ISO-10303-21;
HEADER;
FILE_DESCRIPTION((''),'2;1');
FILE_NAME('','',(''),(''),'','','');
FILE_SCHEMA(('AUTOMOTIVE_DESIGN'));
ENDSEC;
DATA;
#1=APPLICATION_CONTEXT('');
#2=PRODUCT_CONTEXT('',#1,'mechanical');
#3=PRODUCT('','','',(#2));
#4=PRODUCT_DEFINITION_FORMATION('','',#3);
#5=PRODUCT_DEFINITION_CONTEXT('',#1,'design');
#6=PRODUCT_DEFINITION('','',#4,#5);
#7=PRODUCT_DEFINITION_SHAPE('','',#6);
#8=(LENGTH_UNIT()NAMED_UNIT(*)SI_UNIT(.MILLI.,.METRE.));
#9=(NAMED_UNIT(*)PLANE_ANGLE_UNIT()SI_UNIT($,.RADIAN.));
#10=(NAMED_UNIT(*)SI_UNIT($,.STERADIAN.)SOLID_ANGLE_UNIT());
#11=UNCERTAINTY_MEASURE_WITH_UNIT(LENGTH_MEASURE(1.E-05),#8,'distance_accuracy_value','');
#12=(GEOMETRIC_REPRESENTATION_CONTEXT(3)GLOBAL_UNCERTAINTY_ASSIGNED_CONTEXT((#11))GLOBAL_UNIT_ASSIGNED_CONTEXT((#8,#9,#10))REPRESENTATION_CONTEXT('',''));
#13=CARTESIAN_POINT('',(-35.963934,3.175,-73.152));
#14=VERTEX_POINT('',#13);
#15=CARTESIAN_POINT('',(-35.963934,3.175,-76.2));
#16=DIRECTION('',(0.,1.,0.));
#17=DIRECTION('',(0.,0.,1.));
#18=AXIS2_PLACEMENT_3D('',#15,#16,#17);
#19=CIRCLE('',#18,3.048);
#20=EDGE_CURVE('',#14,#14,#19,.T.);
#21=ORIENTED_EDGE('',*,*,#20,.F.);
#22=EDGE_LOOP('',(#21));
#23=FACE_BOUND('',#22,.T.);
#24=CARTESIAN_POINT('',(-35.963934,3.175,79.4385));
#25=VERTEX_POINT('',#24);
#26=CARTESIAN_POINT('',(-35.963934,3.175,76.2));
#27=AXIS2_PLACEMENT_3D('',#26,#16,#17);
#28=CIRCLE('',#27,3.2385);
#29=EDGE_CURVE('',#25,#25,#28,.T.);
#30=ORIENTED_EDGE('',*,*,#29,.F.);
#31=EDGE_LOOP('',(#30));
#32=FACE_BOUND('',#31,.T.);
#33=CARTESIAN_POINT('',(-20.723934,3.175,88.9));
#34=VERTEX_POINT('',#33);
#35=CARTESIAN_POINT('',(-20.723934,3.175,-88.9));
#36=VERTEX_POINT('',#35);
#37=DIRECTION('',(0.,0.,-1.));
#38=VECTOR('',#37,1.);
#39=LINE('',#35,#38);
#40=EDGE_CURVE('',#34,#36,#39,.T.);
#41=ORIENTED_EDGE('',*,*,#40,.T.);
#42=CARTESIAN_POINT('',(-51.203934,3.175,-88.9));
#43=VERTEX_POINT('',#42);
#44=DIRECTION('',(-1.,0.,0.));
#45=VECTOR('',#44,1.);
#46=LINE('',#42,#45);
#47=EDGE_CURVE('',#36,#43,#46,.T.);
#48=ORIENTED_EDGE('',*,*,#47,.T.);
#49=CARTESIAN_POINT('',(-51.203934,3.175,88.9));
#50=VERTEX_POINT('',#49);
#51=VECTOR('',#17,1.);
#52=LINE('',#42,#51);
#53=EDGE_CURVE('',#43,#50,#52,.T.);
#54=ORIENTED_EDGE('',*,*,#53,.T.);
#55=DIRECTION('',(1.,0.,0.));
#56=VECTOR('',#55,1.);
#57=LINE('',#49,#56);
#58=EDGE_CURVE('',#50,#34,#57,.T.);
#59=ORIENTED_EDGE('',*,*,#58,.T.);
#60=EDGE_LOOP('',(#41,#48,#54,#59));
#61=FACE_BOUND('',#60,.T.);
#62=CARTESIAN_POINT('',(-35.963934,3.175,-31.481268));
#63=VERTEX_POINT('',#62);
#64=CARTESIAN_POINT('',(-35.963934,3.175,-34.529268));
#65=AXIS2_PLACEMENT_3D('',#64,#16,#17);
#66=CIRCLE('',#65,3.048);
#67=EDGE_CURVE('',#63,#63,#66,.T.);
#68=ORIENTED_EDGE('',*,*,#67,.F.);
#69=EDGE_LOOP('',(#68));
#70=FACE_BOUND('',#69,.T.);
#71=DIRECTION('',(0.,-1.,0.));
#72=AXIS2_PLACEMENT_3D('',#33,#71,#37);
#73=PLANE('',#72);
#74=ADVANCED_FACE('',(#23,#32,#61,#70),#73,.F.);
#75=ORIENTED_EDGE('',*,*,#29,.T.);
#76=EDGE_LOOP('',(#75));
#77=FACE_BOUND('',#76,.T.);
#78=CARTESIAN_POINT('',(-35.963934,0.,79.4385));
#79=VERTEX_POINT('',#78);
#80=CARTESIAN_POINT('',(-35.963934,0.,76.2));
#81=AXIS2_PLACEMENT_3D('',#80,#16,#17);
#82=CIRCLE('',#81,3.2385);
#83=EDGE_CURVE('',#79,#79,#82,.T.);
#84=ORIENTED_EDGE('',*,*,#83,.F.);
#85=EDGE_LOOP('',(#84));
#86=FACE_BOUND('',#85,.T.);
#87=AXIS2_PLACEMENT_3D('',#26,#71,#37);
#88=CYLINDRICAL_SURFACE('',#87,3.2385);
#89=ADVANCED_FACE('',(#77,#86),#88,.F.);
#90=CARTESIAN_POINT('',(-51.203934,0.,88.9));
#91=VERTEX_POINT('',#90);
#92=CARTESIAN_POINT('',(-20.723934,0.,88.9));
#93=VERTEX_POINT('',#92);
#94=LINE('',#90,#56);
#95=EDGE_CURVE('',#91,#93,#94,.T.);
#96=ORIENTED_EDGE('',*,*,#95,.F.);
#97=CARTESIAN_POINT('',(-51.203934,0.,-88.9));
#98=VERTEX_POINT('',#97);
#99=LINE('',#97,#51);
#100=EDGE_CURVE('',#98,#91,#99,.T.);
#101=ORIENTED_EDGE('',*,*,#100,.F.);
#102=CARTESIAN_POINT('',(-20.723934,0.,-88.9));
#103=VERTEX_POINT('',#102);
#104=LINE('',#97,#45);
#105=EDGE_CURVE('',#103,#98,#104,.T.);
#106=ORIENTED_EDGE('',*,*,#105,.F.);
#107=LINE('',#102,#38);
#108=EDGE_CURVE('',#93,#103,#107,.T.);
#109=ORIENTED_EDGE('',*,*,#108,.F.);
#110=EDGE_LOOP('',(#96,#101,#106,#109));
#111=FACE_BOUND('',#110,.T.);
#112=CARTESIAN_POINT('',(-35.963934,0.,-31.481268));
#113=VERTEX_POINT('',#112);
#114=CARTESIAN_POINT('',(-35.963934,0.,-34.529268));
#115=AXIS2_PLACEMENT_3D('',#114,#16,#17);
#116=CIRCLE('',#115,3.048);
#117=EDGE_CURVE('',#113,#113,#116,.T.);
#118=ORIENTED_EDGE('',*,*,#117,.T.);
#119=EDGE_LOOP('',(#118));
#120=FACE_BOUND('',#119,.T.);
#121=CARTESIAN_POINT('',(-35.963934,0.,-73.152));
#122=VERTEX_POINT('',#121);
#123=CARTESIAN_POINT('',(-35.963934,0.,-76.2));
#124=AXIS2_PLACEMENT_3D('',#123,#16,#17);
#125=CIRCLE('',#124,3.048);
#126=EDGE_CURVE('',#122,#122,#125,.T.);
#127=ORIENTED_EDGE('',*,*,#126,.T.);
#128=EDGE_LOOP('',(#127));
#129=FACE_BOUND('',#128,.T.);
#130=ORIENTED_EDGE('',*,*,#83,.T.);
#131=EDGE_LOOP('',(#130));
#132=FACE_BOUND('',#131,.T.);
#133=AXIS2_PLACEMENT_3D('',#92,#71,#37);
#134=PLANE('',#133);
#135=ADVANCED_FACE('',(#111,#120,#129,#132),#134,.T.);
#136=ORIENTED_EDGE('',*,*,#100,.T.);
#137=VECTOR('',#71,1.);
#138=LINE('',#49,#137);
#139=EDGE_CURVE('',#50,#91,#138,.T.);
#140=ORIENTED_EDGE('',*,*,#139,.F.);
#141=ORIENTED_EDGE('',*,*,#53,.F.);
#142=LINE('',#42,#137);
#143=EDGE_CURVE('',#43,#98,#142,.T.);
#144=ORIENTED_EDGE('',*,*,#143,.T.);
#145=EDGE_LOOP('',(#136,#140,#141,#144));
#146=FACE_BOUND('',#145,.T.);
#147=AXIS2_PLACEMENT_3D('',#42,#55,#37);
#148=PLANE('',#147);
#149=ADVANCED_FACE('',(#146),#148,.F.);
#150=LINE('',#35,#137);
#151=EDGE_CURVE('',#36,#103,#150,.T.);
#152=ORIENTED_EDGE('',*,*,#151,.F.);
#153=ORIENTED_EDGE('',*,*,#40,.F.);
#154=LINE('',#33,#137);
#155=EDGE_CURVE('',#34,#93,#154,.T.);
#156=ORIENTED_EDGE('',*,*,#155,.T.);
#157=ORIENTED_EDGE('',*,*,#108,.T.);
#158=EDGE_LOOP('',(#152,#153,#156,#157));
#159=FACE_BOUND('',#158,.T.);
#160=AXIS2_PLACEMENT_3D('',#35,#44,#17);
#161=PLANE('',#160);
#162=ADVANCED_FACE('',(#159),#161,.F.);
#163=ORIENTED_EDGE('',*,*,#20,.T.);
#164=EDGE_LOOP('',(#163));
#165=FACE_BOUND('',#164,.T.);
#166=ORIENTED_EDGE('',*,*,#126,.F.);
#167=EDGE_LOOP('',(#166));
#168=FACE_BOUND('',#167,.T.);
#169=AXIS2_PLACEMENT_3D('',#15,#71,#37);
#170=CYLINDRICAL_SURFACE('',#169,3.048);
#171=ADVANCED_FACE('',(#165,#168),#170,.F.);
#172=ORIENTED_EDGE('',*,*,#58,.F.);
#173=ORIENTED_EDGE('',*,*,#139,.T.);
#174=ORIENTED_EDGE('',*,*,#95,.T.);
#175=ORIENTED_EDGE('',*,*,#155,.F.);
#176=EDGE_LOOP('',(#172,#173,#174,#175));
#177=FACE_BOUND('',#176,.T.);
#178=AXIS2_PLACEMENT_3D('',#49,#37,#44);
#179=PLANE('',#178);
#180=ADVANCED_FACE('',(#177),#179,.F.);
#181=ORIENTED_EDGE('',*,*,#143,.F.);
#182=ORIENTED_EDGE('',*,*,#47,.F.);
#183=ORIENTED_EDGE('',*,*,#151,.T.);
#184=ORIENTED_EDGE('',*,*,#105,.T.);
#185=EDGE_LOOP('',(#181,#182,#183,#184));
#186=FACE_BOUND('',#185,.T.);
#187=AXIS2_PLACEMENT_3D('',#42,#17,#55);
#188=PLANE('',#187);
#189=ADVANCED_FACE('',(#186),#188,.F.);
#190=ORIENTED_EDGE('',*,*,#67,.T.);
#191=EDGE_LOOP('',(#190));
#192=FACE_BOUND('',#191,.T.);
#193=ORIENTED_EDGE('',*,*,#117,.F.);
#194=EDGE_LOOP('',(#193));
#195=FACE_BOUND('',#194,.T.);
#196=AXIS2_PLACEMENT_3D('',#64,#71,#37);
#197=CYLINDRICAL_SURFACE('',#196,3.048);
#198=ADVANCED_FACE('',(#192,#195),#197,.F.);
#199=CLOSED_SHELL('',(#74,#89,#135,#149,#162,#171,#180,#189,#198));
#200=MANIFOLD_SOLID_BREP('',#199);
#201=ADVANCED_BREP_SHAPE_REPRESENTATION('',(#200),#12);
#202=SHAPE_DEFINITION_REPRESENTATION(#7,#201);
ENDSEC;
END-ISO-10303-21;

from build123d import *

# Parameters (mm, degrees)
SKETCH1_W           = 30.48
SKETCH1_H           = 177.8
SKETCH1_R           = 3.048
SKETCH1_R_2         = 3.2385
BOSS_EXTRUDE1_DEPTH = 3.175


with BuildPart() as part:
    # Sketch1 → Boss-Extrude1 (new body)
    with BuildSketch(Plane(origin=(0, 0, 0), x_dir=(1, 0, 0), z_dir=(0, 1, 0))):
        with Locations((-35.963933877, 0)):
            Rectangle(SKETCH1_W, SKETCH1_H)
        with Locations((-35.963933877, 76.2)):
            Circle(SKETCH1_R, mode=Mode.SUBTRACT)
        with Locations((-35.963933877, 34.529268)):
            Circle(SKETCH1_R, mode=Mode.SUBTRACT)
        with Locations((-35.963933877, -76.2)):
            Circle(SKETCH1_R_2, mode=Mode.SUBTRACT)
    extrude(amount=BOSS_EXTRUDE1_DEPTH)


solid = part.part
